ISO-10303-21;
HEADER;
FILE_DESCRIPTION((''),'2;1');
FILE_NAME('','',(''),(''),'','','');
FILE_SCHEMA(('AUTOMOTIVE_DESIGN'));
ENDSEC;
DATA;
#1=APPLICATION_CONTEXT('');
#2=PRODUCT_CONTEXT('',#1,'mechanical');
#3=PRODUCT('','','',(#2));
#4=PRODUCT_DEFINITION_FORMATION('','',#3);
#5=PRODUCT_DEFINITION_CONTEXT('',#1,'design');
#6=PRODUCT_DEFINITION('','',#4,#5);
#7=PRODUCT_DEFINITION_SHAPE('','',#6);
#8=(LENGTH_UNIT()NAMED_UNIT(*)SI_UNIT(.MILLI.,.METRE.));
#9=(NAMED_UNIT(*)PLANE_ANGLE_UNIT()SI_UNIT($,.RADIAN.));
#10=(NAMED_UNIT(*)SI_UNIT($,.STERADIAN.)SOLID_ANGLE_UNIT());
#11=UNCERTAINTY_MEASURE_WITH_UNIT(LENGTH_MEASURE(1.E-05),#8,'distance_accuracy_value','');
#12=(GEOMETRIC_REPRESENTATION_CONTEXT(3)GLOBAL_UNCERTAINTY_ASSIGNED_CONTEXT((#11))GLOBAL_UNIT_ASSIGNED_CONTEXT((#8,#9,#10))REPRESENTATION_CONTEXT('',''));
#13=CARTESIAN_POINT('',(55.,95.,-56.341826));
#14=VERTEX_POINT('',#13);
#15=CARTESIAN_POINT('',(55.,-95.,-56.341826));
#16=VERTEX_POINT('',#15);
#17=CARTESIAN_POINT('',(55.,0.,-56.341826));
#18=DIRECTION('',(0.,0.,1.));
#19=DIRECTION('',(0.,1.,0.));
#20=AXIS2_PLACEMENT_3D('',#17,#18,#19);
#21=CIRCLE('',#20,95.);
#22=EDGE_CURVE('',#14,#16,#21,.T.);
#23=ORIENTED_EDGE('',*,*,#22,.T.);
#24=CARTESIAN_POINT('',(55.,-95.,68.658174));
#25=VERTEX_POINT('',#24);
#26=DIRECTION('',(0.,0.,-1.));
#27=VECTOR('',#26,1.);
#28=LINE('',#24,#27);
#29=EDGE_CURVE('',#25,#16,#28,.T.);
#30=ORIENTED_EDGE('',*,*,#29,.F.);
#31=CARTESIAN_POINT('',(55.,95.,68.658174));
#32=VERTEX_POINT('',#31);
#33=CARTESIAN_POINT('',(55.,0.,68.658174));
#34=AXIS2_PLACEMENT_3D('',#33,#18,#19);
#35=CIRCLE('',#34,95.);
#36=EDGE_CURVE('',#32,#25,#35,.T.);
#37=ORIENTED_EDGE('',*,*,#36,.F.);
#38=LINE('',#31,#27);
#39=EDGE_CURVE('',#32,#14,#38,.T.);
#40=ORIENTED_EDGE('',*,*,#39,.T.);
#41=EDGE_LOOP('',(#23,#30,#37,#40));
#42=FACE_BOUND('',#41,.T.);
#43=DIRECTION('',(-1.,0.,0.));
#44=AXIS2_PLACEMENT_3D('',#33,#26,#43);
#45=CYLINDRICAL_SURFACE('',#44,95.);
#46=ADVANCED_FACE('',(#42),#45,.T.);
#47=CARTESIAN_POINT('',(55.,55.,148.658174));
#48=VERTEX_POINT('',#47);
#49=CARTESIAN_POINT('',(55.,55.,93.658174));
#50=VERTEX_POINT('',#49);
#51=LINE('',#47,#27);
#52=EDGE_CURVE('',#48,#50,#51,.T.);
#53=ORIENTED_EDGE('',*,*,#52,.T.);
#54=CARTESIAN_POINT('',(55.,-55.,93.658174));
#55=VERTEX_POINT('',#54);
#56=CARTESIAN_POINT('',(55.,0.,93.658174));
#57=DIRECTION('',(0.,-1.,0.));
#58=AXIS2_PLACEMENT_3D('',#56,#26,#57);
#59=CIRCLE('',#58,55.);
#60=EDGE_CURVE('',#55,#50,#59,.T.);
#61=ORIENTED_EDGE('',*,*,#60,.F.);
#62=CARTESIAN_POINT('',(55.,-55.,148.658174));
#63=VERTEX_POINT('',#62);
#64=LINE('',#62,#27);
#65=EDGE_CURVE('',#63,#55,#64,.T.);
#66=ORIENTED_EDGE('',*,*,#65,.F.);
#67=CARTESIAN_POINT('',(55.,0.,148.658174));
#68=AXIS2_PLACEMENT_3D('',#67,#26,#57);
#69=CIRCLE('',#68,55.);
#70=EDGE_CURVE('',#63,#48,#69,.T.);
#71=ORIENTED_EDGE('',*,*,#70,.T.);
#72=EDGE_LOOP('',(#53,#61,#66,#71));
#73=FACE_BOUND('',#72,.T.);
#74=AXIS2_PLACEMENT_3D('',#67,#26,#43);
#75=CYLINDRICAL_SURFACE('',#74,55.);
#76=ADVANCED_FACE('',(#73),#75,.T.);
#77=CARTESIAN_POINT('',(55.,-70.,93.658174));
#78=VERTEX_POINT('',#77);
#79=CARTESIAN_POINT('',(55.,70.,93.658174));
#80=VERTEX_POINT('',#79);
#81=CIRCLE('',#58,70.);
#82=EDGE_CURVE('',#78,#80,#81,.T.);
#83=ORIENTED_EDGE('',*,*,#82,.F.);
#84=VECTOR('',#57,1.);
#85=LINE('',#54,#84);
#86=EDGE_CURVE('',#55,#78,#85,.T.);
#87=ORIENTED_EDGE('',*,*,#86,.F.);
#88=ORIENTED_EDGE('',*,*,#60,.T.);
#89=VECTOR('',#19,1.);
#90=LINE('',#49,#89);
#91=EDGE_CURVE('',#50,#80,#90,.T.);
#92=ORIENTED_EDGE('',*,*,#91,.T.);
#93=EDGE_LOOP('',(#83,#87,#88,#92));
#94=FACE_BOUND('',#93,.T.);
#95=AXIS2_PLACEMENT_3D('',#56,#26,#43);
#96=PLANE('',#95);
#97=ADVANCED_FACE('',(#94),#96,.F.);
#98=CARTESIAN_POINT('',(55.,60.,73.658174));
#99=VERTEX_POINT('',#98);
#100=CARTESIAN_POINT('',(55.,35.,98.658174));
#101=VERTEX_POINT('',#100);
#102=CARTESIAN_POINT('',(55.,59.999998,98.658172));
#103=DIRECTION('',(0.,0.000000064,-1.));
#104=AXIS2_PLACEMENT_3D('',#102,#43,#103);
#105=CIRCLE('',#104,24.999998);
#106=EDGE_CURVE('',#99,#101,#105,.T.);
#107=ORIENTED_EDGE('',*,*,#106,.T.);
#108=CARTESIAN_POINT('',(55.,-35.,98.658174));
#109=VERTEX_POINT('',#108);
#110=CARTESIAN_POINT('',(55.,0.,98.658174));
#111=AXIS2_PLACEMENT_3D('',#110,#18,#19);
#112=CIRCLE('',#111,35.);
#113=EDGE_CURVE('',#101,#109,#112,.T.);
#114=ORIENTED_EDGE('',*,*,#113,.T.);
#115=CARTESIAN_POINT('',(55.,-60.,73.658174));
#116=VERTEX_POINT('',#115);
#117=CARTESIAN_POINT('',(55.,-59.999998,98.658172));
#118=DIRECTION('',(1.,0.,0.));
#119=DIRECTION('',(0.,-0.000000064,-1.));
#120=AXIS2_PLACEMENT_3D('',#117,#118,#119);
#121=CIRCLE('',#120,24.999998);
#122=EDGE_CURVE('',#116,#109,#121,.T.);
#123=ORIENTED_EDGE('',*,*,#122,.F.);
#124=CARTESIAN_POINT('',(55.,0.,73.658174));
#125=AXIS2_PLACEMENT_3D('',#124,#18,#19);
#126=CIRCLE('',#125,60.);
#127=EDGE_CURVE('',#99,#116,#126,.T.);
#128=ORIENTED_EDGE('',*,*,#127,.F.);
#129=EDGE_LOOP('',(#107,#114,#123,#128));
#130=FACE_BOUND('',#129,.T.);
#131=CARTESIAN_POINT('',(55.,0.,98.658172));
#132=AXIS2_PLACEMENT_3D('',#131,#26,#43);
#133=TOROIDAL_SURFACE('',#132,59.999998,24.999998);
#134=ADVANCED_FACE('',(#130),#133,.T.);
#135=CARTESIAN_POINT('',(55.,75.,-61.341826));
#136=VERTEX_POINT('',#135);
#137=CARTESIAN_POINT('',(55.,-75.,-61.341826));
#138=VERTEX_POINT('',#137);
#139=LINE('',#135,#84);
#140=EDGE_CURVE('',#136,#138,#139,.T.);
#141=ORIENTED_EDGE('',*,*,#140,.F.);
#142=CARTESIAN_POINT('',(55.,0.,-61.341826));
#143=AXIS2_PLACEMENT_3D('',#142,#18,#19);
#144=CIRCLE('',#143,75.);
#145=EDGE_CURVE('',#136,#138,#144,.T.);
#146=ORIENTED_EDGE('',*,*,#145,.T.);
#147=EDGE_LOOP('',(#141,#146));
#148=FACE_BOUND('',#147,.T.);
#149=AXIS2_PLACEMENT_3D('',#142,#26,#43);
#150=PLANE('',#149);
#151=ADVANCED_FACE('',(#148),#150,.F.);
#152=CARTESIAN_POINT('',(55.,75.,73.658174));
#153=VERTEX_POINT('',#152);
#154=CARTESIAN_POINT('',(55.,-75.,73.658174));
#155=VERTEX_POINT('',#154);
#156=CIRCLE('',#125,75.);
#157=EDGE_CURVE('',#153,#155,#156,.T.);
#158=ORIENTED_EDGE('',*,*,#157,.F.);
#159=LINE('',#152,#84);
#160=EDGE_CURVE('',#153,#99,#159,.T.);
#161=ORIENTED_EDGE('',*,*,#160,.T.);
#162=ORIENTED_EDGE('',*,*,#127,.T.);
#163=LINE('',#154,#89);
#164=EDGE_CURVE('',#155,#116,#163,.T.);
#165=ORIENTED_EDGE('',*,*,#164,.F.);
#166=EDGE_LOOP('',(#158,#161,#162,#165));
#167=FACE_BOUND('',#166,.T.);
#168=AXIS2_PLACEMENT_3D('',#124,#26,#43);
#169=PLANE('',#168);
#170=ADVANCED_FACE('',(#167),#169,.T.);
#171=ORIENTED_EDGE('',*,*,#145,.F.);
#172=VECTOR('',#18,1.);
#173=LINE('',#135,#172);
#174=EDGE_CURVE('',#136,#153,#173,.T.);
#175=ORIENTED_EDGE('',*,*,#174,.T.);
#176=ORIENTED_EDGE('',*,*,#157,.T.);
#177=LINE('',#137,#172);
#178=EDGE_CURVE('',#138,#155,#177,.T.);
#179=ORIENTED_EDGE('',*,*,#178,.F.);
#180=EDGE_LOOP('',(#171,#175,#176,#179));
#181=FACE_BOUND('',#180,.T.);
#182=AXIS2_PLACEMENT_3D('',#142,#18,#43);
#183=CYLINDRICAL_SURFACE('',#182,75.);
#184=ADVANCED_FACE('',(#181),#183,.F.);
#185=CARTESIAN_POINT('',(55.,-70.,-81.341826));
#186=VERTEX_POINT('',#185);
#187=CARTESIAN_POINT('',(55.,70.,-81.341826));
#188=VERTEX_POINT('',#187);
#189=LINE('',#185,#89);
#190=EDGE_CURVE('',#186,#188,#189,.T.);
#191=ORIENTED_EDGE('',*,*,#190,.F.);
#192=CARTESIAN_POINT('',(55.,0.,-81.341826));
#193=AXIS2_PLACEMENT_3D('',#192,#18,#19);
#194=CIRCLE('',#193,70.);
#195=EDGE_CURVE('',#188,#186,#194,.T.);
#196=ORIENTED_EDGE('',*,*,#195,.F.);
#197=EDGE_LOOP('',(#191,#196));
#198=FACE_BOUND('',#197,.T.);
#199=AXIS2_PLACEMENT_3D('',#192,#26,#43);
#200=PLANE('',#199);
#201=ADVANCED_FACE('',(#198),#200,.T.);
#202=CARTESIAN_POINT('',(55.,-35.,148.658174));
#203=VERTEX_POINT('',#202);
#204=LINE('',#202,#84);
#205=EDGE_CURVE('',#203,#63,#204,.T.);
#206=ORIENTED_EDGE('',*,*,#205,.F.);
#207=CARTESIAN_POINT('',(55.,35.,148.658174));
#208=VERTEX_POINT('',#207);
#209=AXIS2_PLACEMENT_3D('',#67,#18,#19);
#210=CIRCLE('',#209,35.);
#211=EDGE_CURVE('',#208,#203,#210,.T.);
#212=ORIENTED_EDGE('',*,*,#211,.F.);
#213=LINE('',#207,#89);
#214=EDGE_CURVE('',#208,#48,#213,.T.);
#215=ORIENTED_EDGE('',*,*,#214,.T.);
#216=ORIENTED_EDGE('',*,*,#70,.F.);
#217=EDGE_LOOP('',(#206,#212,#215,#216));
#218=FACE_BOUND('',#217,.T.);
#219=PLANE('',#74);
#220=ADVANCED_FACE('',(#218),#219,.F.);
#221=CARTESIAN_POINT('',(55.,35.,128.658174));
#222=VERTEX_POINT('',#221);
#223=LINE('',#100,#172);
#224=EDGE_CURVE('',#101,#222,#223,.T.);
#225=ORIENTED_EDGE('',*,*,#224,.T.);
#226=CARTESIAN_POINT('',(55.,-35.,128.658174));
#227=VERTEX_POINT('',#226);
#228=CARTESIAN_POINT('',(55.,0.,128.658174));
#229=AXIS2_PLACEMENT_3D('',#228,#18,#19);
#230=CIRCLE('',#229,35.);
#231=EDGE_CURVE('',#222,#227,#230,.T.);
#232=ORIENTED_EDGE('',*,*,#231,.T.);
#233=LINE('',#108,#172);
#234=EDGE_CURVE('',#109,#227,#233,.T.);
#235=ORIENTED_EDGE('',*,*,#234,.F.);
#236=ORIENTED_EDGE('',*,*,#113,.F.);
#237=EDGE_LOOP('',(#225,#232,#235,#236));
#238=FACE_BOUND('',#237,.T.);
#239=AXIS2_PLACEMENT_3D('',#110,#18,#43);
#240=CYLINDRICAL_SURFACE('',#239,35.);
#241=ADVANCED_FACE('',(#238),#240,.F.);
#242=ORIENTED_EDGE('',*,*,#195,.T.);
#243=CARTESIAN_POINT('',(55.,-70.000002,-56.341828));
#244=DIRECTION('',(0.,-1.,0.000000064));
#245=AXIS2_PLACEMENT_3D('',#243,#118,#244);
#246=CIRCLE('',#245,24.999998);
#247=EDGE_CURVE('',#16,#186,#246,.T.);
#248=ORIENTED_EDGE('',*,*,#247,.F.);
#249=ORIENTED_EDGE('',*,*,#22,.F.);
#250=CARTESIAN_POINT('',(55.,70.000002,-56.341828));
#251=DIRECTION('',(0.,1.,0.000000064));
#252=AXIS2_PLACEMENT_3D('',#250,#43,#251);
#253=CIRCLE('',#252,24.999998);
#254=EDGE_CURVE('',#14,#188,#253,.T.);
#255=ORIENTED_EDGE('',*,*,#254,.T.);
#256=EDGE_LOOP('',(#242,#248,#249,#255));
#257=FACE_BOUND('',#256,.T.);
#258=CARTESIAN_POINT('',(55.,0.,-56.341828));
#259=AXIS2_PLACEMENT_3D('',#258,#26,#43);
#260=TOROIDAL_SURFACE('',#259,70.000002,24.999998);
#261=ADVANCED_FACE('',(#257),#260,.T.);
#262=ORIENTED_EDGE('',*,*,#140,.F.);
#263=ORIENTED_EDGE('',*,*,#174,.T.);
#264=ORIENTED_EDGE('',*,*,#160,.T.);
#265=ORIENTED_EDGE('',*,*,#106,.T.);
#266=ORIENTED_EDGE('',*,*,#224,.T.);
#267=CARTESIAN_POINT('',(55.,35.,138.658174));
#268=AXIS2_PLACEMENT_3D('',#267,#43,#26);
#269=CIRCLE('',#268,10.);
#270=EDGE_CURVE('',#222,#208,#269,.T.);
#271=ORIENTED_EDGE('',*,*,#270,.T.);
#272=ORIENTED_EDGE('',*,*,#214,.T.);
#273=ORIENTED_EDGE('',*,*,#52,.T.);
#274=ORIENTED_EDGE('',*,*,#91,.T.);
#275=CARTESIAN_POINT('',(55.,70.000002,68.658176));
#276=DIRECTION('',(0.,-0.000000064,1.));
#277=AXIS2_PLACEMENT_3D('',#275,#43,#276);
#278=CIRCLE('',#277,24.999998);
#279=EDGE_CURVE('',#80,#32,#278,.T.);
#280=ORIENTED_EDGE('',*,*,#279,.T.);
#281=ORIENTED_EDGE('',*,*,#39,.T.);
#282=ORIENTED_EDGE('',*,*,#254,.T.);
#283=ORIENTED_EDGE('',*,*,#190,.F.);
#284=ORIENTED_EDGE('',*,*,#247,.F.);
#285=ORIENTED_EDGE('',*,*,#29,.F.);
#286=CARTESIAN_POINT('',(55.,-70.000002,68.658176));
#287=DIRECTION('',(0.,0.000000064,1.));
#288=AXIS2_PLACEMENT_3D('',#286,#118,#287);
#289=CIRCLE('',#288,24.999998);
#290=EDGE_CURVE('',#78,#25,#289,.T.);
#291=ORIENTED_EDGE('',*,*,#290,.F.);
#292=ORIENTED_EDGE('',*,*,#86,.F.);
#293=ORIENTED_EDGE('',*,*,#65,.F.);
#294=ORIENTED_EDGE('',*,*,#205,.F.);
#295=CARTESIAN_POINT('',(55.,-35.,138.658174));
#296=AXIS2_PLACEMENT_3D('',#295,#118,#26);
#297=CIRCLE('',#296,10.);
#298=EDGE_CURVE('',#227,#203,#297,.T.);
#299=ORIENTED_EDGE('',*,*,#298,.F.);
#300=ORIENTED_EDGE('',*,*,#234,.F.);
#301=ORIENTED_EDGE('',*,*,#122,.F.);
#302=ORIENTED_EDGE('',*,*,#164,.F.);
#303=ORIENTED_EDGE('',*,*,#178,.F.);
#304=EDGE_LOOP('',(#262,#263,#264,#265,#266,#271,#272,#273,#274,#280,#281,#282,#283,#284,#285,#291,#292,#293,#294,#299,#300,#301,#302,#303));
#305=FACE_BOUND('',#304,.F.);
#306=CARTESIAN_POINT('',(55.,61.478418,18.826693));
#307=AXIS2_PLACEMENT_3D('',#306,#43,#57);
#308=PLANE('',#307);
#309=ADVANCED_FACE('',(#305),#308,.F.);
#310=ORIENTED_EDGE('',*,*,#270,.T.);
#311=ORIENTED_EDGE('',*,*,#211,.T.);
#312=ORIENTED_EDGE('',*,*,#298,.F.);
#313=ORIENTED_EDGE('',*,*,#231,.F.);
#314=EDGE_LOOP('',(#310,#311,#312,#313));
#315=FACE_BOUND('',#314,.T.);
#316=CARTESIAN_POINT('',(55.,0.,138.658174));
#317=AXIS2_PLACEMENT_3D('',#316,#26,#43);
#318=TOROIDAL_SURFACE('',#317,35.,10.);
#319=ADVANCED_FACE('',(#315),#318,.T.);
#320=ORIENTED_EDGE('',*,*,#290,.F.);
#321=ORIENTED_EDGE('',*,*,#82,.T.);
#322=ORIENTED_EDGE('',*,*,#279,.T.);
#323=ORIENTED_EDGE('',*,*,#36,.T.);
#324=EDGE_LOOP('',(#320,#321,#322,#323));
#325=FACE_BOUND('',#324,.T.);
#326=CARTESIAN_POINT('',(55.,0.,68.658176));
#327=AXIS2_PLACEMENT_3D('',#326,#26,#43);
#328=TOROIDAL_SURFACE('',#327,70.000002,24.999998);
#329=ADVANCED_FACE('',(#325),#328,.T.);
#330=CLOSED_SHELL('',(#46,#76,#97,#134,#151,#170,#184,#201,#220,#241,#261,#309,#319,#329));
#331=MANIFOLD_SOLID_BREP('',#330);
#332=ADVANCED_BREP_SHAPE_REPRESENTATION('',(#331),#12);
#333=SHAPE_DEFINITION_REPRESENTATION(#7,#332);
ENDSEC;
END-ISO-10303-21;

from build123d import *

# Parameters (mm, degrees)
F1_ANGLE = 180


with BuildPart() as f1:
    # F0 (on Front) → F1 (revolve, symmetric)
    with BuildSketch(Plane.XZ) as f1_sk:
        with BuildLine():
            ThreePointArc((-15, 93.658174), (-32.67767, 86.335844), (-40, 68.658174))
            Line((-40, 68.658174), (-40, -56.341826))
            ThreePointArc((-40, -56.341826), (-32.67767, -74.019496), (-15, -81.341826))
            Line((-15, -81.341826), (55, -81.341826))
            Line((55, -81.341826), (55, -61.341826))
            Line((55, -61.341826), (-20, -61.341826))
            Line((-20, -61.341826), (-20, 73.658174))
            Line((-20, 73.658174), (-5, 73.658174))
            ThreePointArc((-5, 73.658174), (12.67767, 80.980504), (20, 98.658174))
            Line((20, 98.658174), (20, 128.658174))
            ThreePointArc((20, 128.658174), (30, 138.658174), (20, 148.658174))
            Line((20, 148.658174), (0, 148.658174))
            Line((0, 148.658174), (0, 93.658174))
            Line((0, 93.658174), (-15, 93.658174))
        make_face()
    revolve(axis=Axis((55, 0, -71.341826), (0, 0, 1)), revolution_arc=F1_ANGLE / 2)
    revolve(f1_sk.sketch, axis=Axis((55, 0, -71.341826), (0, 0, -1)), revolution_arc=F1_ANGLE / 2)


solid = f1.part
